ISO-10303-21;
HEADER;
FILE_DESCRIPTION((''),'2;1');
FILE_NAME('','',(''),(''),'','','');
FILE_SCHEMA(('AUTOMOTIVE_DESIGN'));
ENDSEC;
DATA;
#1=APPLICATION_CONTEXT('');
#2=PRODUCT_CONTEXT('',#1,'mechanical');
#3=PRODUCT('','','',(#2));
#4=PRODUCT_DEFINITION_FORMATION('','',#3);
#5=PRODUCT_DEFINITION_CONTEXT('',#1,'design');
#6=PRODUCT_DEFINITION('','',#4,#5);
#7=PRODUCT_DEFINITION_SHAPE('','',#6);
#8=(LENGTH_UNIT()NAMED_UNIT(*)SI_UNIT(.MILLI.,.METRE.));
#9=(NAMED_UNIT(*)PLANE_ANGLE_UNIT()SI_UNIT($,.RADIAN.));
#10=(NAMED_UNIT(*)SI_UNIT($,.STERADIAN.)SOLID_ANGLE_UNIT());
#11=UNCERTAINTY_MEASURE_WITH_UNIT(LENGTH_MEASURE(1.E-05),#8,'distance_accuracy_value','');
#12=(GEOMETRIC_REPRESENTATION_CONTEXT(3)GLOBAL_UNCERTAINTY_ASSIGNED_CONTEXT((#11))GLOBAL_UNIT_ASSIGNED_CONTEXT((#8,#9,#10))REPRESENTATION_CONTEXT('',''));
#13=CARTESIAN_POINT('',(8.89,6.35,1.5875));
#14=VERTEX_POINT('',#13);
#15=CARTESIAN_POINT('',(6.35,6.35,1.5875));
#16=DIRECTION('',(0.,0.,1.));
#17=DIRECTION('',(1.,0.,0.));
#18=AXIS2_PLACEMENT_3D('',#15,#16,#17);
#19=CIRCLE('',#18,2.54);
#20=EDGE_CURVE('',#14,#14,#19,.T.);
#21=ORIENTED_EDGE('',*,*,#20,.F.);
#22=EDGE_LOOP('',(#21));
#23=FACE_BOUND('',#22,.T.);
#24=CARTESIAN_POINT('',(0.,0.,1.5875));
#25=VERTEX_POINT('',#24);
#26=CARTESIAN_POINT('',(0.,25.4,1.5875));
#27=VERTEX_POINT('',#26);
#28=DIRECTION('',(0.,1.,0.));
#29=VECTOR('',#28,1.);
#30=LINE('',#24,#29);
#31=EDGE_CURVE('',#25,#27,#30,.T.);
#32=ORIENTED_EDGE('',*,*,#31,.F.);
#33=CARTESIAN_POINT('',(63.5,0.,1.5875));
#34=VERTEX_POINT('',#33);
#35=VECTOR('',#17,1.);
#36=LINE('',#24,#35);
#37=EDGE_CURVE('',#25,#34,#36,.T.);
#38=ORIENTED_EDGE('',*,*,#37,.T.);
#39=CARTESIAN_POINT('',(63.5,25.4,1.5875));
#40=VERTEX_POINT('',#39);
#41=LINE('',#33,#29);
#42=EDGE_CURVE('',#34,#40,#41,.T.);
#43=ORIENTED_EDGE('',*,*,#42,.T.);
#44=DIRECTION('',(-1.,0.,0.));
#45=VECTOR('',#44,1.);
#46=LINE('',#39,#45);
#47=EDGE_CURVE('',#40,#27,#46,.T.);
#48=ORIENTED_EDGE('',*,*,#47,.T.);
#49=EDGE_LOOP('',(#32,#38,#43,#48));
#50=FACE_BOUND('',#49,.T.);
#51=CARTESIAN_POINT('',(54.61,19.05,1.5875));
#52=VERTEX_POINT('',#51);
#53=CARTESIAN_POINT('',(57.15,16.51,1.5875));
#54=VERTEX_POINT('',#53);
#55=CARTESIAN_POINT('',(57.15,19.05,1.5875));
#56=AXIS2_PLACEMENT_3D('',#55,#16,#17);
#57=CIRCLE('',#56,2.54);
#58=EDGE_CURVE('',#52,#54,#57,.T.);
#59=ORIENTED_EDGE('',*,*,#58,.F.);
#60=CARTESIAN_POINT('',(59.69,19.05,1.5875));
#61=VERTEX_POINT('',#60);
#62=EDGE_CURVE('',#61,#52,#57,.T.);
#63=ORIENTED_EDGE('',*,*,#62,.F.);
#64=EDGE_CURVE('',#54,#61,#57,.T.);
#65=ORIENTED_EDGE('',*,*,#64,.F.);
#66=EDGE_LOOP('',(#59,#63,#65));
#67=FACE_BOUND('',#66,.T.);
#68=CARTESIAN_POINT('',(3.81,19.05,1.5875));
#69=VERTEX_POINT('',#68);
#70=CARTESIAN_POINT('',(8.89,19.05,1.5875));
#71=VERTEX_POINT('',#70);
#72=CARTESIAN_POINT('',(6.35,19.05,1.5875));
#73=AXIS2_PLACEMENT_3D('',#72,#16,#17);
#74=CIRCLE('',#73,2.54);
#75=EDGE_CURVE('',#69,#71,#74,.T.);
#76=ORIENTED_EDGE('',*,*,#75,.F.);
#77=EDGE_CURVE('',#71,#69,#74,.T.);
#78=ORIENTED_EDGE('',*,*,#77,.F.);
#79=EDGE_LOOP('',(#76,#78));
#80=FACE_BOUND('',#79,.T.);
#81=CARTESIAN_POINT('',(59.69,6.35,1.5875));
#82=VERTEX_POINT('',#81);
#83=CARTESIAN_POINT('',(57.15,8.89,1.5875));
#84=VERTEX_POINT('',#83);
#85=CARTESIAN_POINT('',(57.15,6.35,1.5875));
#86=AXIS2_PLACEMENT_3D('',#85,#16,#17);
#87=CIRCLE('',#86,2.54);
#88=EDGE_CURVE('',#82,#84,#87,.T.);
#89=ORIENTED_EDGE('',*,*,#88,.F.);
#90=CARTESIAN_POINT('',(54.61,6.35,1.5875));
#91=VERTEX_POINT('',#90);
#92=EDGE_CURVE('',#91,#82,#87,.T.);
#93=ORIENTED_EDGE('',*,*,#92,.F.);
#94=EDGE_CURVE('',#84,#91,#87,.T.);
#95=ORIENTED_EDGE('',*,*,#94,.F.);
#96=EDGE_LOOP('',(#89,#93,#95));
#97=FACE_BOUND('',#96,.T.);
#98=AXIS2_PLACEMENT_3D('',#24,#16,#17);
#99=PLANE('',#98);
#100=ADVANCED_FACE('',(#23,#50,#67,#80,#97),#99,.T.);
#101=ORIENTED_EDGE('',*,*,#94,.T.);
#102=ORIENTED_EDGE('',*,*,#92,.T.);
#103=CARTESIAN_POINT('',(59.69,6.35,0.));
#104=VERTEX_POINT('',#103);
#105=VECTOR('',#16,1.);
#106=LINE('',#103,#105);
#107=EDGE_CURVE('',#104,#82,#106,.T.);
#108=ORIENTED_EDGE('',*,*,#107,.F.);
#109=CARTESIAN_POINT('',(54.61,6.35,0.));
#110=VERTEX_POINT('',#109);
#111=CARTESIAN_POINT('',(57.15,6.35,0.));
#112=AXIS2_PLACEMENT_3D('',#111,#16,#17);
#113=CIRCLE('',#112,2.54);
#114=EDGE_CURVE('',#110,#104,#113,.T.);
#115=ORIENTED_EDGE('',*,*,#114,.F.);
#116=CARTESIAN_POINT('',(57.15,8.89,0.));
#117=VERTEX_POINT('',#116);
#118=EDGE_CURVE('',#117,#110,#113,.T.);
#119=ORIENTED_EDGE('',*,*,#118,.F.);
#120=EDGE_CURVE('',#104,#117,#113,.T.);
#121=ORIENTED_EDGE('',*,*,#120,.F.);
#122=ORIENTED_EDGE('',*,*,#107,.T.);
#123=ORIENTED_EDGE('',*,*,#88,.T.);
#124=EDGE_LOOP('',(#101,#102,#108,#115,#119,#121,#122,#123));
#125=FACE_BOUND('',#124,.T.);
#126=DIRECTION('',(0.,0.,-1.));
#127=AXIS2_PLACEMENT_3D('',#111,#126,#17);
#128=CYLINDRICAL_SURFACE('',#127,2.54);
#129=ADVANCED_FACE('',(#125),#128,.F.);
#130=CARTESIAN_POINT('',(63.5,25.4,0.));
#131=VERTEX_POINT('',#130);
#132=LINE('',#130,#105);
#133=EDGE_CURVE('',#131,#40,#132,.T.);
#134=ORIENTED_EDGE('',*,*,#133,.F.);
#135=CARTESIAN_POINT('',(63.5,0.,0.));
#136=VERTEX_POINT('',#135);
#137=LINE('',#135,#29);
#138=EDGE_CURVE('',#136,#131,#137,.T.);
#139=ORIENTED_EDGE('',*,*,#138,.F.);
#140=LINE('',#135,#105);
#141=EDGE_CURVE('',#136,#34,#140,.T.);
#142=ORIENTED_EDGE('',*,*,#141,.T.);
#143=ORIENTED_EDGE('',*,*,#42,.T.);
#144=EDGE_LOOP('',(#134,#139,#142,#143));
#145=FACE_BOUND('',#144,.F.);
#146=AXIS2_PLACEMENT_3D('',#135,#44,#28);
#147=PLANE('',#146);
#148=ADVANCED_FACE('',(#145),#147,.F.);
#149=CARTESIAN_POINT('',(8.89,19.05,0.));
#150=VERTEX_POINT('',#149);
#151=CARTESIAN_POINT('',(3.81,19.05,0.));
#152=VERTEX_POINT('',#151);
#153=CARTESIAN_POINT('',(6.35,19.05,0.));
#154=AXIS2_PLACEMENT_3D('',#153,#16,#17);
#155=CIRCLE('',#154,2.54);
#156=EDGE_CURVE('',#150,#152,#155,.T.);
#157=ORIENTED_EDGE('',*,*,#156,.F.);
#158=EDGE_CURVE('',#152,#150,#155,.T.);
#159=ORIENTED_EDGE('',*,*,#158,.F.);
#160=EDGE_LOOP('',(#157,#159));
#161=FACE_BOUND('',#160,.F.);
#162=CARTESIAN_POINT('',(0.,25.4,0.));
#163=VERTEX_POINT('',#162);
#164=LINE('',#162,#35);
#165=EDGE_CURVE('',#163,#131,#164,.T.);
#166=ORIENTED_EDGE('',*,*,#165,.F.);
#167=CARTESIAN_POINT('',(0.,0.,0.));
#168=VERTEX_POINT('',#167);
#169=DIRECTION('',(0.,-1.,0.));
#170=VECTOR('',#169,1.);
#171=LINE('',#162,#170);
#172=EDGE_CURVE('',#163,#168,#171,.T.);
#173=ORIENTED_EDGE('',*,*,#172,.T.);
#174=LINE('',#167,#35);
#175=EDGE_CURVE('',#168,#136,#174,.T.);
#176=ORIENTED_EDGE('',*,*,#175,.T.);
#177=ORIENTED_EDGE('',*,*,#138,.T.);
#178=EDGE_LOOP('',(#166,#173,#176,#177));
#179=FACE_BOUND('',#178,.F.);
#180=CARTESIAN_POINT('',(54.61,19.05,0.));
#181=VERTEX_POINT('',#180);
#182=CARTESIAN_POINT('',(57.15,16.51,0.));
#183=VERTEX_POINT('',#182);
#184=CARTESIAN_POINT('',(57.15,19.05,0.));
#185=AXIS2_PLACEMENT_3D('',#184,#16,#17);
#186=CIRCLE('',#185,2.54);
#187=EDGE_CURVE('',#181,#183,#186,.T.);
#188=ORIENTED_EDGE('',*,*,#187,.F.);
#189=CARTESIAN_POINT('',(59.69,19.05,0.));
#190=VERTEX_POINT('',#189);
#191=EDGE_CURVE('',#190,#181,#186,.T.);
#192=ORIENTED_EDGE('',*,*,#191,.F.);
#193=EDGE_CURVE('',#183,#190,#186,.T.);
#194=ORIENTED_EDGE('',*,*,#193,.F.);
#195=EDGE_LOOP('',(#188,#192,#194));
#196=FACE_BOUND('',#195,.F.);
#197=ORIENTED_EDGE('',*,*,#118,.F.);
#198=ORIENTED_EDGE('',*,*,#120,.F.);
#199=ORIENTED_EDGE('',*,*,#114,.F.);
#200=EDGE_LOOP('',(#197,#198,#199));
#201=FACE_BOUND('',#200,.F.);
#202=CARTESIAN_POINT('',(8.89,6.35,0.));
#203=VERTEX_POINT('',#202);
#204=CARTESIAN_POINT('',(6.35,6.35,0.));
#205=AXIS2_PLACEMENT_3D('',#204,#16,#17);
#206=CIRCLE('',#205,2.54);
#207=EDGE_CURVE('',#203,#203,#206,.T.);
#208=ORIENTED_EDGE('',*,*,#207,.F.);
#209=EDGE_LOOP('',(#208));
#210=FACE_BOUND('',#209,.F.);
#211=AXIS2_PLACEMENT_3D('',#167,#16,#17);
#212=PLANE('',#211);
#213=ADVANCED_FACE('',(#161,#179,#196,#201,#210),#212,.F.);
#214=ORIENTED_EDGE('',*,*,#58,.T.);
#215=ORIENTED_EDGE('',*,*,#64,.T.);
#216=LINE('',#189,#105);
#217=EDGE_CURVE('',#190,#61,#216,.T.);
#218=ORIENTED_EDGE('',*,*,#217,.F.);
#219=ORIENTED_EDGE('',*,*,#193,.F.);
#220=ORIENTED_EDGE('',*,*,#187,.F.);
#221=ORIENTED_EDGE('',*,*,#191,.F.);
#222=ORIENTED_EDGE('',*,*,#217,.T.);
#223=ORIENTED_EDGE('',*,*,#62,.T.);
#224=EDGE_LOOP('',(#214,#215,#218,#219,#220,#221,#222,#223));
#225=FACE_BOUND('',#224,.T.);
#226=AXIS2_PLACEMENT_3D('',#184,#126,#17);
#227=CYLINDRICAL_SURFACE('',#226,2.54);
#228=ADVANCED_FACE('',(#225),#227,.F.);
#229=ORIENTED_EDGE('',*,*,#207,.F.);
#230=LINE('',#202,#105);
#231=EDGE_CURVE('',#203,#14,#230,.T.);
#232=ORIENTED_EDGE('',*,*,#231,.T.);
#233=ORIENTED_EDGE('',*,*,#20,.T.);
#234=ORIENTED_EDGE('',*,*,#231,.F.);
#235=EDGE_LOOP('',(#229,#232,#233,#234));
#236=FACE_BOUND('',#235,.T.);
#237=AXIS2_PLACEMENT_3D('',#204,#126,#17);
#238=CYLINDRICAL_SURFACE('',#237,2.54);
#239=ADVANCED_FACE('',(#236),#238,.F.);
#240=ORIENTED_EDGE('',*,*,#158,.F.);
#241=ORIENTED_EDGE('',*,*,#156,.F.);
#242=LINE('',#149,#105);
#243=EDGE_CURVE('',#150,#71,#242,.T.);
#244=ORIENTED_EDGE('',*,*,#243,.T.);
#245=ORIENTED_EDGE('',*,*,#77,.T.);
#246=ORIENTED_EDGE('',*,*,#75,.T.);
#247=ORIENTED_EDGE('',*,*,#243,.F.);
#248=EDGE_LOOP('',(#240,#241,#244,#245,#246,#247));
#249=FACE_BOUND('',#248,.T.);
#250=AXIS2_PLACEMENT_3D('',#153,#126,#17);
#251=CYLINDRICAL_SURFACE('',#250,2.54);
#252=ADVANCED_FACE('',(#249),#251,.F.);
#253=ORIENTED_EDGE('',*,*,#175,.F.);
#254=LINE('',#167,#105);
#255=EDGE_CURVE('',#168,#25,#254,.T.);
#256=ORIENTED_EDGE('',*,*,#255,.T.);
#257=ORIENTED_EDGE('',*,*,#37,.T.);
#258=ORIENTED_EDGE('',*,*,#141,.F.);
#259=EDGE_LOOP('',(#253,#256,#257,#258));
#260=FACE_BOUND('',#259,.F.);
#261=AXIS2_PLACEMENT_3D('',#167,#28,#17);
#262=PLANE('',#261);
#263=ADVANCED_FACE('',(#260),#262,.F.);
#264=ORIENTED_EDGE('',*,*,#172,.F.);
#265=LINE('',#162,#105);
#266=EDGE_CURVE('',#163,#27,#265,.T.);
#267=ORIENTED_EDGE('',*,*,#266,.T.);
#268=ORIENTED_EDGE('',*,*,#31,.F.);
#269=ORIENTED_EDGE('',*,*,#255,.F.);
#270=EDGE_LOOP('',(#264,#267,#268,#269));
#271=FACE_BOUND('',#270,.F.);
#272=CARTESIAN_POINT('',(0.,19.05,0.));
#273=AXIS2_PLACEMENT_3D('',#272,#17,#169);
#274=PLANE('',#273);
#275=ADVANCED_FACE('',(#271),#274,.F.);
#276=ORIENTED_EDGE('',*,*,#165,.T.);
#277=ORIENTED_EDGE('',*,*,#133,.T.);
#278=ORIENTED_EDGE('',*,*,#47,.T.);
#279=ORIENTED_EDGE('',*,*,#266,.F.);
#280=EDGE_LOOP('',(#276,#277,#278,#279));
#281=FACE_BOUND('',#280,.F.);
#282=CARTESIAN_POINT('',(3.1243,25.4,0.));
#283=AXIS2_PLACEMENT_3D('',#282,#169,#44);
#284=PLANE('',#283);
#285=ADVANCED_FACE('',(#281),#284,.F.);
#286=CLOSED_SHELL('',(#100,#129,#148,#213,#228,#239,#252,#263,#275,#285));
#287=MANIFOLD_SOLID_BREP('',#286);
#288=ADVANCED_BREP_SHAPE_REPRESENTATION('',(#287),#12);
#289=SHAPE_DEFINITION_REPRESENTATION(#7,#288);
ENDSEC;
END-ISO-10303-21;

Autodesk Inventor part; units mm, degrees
ref_plane "YZ Plane" through (0, 0, 0) normal (1, 0, 0) x (0, 1, 0)
ref_plane "XZ Plane" through (0, 0, 0) normal (0, 1, 0) x (-1, 0, 0)
ref_plane "XY Plane" through (0, 0, 0) normal (0, 0, 1) x (1, 0, 0)
sketch "Sketch1" plane through (0, 0, 0) normal (0, 0, 1) x (1, 0, 0)
  line L0 (0, 0) -> (63.5, 0)
  line L1 (63.5, 0) -> (63.5, 25.4)
  line L2 (63.5, 25.4) -> (0, 25.4)
  line L3 (0, 25.4) -> (0, 0)
  line L4 (3.1243, 25.4) -> (3.1243, 19.05)
  line L5 (0, 19.05) -> (6.35, 19.05)
  line L6 (6.35, 19.05) -> (57.15, 19.05)
  line L7 (57.15, 19.05) -> (57.15, 6.35)
  line L8 (57.15, 6.35) -> (6.35, 6.35)
  circle A0 centre (6.35, 19.05) radius 2.54
  circle A1 centre (57.15, 6.35) radius 2.54
  circle A2 centre (57.15, 19.05) radius 2.54
  circle A3 centre (6.35, 6.35) radius 2.54
  dimension "d0" = 63.5
  dimension "d1" = 25.4
  dimension "d2" = 6.35
  dimension "d3" = 6.35
  dimension "d4" = 50.8
  dimension "d5" = 12.7
  dimension "d6" = 5.08
  dimension "d7" = 5.08
  dimension "d8" = 5.08
  dimension "d9" = 5.08
extrude "Extrusion1" add sketch "Sketch1" along normal blind 1.5875
properties part number "intakeRestPlate"
